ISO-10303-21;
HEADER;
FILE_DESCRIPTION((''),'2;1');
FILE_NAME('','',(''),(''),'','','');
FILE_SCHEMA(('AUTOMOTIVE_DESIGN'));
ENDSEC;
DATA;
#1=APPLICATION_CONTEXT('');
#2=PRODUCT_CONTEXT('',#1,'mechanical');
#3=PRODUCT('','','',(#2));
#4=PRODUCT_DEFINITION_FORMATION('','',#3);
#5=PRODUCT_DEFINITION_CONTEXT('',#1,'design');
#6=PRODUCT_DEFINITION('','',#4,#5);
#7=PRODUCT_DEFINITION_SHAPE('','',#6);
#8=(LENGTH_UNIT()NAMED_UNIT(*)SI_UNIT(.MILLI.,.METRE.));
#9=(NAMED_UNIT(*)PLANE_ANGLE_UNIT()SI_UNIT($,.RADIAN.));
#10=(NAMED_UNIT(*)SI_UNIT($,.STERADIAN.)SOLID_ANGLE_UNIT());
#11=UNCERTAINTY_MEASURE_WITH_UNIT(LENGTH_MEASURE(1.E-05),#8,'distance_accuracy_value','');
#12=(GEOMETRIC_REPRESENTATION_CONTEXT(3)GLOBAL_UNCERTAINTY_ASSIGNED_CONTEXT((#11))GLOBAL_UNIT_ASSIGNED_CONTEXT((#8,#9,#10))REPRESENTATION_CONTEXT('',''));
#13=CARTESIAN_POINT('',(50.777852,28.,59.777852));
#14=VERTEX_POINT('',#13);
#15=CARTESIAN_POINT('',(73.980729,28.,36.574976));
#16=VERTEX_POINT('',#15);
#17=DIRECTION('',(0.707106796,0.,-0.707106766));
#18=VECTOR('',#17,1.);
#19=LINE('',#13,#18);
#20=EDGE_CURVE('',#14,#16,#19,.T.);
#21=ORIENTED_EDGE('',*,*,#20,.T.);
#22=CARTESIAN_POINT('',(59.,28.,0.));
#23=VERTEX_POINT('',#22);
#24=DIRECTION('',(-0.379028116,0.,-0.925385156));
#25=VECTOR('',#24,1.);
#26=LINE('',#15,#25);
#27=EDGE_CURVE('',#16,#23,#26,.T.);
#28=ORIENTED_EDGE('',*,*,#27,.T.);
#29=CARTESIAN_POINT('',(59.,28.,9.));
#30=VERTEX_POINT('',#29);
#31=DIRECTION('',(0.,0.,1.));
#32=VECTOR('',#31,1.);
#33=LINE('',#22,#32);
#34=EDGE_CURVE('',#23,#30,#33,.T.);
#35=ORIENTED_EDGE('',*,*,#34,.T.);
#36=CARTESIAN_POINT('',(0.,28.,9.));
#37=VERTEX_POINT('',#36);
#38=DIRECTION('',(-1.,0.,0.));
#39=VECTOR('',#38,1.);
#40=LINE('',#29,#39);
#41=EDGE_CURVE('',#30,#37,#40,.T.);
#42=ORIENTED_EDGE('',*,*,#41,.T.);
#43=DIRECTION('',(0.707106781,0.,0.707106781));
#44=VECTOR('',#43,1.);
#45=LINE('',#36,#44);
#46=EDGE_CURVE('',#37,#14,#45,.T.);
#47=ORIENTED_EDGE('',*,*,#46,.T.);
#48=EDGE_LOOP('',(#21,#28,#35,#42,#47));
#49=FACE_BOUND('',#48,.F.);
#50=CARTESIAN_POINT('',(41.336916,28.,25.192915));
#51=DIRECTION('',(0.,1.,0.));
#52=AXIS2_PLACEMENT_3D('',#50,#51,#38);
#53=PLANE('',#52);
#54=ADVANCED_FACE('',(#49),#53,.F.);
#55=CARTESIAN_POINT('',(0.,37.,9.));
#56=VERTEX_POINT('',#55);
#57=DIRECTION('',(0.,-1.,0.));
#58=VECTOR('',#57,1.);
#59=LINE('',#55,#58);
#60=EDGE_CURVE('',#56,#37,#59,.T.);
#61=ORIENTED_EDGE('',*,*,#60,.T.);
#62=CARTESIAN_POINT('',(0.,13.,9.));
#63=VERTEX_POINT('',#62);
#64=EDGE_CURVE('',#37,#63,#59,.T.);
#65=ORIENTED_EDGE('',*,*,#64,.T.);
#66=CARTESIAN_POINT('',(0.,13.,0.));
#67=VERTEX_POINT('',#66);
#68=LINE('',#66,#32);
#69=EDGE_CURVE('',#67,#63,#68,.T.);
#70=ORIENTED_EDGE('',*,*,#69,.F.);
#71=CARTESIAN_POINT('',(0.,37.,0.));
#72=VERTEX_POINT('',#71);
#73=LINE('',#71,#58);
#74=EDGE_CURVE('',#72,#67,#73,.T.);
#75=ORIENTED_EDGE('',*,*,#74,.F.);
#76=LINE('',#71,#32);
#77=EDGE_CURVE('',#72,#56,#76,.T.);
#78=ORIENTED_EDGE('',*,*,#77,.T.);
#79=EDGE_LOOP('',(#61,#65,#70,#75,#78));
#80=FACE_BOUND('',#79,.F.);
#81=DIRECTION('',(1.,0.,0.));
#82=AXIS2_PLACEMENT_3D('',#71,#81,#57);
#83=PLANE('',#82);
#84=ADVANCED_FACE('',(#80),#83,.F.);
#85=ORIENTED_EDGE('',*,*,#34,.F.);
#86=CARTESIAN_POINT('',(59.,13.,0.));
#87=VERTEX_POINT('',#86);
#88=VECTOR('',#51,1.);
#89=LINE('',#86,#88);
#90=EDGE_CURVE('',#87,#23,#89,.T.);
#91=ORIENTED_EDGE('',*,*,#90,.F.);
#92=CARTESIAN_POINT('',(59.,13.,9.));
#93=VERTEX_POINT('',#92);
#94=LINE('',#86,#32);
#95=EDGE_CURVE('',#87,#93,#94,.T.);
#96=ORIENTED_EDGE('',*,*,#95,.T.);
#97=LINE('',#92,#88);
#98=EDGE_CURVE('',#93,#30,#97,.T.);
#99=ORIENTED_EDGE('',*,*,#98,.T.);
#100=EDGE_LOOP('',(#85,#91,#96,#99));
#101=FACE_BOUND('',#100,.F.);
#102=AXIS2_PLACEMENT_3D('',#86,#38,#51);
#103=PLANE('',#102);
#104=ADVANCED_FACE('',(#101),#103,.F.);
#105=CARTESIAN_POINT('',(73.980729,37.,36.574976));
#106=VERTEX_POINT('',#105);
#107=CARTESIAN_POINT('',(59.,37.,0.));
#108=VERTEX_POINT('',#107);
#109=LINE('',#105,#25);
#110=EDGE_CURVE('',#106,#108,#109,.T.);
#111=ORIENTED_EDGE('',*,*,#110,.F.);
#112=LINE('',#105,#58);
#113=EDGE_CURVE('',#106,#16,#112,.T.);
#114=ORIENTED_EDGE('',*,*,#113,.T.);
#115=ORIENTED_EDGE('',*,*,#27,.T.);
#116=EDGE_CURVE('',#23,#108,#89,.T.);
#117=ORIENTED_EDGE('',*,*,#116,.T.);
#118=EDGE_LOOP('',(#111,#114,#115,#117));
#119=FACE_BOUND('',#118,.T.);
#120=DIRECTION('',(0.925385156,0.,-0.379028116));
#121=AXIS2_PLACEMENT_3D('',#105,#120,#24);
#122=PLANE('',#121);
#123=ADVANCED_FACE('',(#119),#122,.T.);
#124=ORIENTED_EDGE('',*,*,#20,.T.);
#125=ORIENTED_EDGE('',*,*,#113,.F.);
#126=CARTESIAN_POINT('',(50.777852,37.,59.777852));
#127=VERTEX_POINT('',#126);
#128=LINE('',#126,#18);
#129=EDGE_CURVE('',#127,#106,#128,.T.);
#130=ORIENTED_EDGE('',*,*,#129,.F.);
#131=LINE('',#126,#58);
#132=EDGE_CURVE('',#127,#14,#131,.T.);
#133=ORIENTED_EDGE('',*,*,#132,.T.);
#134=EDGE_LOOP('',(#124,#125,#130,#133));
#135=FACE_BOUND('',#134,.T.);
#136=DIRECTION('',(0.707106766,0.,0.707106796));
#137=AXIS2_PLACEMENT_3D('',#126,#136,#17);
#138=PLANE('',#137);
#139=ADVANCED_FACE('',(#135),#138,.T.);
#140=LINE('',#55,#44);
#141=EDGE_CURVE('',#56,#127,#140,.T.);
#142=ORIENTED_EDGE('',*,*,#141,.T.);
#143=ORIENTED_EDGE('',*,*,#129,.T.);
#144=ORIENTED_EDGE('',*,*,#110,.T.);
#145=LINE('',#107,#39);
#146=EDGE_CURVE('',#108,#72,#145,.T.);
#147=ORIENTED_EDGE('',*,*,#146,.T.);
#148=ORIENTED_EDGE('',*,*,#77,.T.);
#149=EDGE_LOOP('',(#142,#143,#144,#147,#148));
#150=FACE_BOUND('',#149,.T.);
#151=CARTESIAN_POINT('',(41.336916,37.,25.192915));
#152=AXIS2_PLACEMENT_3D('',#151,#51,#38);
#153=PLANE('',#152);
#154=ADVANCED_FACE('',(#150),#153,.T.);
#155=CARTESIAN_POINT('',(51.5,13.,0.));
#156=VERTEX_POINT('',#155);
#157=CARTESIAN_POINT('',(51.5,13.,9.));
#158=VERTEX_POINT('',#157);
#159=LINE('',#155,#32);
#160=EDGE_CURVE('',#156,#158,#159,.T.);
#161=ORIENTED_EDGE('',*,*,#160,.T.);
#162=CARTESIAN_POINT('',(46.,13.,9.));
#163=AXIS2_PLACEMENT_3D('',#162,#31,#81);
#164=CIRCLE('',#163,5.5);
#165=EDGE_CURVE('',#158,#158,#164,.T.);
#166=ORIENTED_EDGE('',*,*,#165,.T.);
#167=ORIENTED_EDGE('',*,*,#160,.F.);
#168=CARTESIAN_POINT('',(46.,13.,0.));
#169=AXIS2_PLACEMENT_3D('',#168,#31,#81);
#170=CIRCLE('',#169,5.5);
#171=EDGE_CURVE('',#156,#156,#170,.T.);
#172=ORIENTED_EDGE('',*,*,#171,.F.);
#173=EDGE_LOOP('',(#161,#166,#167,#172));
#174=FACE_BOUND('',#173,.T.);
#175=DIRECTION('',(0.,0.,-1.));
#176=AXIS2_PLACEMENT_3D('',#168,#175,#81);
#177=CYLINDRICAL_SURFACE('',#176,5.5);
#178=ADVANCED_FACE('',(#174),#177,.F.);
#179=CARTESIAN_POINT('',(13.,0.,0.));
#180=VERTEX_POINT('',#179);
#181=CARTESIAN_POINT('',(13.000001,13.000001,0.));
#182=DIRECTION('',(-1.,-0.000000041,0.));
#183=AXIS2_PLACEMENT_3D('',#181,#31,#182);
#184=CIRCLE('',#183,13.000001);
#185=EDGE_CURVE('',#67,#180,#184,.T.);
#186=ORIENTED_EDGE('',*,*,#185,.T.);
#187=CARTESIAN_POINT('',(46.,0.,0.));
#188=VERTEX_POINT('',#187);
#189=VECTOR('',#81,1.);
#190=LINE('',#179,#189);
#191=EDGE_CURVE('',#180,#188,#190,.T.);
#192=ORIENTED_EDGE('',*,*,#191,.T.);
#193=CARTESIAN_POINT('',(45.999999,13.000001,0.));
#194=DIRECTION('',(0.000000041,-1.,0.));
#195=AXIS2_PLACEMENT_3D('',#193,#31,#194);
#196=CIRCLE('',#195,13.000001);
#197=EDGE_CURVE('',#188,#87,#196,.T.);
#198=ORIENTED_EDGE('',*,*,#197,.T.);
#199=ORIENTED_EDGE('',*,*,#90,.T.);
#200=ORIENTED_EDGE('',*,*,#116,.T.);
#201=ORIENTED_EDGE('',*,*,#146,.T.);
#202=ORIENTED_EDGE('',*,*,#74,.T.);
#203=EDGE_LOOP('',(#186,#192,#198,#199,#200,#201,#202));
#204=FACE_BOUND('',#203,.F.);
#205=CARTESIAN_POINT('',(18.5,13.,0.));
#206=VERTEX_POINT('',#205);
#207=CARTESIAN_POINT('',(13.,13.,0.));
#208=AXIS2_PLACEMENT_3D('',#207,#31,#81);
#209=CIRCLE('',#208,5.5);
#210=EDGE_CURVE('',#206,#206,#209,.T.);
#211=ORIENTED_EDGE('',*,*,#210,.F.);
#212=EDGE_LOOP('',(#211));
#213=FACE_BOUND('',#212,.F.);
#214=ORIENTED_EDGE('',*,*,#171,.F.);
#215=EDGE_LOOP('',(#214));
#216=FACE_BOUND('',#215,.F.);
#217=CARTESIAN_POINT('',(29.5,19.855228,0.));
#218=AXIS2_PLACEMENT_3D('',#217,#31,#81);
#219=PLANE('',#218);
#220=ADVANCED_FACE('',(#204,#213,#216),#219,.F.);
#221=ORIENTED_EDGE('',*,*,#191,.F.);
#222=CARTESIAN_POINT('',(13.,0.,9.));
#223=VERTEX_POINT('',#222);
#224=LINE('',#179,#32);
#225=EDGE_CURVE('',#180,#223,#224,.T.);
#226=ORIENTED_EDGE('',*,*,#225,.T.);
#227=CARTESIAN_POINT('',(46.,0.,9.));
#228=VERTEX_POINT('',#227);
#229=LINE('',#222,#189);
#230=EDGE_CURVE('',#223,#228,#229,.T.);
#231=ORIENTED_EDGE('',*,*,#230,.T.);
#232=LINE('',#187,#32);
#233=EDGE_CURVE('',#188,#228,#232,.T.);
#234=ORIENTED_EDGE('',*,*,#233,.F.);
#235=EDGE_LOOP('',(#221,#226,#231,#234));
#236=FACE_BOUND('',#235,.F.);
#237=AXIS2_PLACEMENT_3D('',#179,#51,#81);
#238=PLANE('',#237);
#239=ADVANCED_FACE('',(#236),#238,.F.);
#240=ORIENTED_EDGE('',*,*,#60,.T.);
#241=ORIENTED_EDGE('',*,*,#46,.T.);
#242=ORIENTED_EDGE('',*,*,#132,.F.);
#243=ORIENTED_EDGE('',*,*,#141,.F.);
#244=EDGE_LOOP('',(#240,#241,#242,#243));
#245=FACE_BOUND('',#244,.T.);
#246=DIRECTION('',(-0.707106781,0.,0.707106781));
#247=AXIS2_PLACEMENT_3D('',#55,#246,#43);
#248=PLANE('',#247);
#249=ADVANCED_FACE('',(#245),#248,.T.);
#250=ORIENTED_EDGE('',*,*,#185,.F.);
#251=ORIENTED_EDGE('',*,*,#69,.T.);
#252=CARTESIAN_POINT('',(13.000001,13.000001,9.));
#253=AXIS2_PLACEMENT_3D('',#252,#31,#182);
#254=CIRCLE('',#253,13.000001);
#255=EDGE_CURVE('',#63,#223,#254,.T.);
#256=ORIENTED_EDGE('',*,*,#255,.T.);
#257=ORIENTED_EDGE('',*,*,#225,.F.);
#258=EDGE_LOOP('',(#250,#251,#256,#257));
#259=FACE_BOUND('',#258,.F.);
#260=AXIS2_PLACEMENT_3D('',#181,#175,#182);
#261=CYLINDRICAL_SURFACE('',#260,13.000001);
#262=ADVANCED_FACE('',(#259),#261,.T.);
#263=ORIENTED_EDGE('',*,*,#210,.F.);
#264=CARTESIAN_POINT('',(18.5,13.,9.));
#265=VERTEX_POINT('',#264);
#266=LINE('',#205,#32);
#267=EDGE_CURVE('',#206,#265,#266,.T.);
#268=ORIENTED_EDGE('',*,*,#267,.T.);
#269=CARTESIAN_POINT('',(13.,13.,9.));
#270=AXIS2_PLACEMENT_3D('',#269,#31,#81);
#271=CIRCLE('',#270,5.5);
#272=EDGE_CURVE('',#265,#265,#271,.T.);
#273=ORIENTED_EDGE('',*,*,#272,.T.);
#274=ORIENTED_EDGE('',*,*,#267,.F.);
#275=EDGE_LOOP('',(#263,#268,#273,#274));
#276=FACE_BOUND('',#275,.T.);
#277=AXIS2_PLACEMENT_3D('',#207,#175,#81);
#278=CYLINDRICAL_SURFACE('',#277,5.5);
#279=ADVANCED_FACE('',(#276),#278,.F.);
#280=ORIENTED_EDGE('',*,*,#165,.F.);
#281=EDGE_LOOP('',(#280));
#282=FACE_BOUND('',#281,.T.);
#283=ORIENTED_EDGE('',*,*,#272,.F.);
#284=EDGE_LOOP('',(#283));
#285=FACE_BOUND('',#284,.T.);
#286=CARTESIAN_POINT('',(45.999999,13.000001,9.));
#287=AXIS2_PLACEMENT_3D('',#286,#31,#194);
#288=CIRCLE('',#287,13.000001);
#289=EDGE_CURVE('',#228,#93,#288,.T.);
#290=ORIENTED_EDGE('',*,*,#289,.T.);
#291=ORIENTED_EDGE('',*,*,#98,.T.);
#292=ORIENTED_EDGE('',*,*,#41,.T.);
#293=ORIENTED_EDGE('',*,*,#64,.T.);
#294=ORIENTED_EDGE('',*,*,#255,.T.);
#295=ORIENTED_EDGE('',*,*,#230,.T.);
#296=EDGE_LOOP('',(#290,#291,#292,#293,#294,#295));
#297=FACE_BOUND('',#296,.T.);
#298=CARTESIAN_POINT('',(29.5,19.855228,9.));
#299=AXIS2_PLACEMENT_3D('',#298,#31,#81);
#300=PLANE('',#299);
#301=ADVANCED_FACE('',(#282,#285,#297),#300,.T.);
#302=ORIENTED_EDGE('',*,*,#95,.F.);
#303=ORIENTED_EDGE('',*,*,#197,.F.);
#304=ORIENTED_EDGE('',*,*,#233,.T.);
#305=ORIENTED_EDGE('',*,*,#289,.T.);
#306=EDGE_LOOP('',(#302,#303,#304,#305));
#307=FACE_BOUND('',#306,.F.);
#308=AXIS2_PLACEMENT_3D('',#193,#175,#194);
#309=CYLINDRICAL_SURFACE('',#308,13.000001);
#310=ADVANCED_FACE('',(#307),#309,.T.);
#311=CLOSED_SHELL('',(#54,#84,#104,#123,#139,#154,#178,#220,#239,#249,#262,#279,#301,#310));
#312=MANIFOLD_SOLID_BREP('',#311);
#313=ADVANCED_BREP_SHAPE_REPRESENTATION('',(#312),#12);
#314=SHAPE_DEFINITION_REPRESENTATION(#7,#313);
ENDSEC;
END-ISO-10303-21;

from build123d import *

# Parameters (mm, degrees)
F0_R     = 5.5
F1_DEPTH = 9
F3_DEPTH = 9


with BuildPart() as f1:
    # F0 (on Top) → F1 (new body)
    with BuildSketch(Plane.XY):
        with BuildLine():
            Line((59, 37), (0, 37))
            Line((0, 37), (0, 13))
            ThreePointArc((0, 13), (3.807612, 3.807612), (13, 0))
            Line((13, 0), (46, 0))
            ThreePointArc((46, 0), (55.192388, 3.807612), (59, 13))
            Line((59, 13), (59, 37))
        make_face()
        with Locations((13, 13)):
            Circle(F0_R, mode=Mode.SUBTRACT)
        with Locations((46, 13)):
            Circle(F0_R, mode=Mode.SUBTRACT)
    extrude(amount=F1_DEPTH)

    # F2 (on face) → F3 (join)
    with BuildSketch(Plane(origin=(0, 37, 0), x_dir=(-1, 0, 0), z_dir=(0, 1, 0))):
        Polygon((-59, 9), (0, 9), (-50.777852, 59.777852), (-73.980729, 36.574976), (-59, 0), align=None)
    extrude(amount=-F3_DEPTH)


solid = f1.part
